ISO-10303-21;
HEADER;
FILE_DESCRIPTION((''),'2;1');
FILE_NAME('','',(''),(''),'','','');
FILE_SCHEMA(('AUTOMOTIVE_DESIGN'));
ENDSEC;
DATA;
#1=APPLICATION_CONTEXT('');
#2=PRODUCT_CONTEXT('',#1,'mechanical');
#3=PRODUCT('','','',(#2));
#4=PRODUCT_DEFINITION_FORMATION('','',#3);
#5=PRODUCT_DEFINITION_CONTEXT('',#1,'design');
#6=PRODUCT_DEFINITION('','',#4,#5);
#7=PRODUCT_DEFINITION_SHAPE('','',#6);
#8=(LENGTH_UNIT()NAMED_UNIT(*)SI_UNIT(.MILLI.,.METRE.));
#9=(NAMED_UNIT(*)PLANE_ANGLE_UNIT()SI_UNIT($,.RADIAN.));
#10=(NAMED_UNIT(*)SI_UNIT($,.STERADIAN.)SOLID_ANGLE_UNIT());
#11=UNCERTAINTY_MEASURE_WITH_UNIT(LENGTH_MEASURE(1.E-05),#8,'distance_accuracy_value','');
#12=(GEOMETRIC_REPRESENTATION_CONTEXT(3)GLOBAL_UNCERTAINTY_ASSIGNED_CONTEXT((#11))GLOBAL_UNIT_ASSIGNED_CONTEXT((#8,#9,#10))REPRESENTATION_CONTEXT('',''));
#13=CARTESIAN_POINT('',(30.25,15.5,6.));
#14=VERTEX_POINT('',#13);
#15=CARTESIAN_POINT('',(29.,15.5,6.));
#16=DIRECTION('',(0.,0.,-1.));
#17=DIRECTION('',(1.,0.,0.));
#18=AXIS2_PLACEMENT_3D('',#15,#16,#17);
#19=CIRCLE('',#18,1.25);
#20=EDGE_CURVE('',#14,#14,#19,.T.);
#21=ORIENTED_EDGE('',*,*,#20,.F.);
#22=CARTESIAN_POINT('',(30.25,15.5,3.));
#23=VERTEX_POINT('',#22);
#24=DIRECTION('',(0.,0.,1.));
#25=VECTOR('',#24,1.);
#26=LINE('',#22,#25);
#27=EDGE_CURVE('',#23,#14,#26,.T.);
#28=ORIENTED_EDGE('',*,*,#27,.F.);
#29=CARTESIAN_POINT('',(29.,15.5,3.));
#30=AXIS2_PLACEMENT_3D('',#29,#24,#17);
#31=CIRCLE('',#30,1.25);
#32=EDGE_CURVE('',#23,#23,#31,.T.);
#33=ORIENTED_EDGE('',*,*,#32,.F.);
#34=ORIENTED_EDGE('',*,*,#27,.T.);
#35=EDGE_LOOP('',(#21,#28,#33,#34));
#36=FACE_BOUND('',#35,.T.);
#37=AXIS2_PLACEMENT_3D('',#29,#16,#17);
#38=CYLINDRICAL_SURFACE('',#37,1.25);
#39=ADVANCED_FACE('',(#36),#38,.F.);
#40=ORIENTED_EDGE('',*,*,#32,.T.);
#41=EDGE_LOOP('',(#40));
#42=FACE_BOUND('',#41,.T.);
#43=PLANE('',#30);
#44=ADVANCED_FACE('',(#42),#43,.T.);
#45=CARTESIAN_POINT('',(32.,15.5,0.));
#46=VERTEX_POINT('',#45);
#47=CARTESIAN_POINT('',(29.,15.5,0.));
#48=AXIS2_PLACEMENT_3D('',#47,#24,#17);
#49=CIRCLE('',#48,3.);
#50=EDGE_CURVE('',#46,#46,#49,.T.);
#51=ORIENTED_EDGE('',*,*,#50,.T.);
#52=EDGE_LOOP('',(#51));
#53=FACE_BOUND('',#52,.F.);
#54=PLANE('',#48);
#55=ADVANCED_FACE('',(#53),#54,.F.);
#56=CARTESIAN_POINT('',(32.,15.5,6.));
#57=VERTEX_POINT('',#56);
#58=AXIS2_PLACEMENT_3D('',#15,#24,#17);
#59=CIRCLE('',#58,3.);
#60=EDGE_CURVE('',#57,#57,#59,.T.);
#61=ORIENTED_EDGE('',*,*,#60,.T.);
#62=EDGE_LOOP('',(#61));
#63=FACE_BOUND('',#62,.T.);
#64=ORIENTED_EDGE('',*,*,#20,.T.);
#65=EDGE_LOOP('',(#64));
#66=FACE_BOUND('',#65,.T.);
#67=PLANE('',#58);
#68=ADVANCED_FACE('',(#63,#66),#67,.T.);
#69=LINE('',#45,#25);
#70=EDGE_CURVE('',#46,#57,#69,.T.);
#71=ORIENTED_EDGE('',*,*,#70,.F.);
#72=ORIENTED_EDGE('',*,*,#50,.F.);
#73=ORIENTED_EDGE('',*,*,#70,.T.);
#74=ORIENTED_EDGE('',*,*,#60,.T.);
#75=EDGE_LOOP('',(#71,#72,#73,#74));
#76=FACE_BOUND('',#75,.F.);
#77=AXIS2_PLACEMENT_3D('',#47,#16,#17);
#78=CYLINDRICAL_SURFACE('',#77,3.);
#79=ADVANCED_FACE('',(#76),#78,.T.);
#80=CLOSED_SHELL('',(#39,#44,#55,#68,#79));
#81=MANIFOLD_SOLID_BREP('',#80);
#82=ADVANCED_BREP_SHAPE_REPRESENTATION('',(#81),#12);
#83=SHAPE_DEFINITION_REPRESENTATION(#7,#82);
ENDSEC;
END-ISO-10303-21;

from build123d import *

# Parameters (mm, degrees)
CYLINDER017_R     = 1.25
CYLINDER017_DEPTH = 5
CYLINDER009_R     = 3
CYLINDER009_DEPTH = 6


with BuildPart() as b_sw006:
    # Cylinder017 → Cylinder017 (new body)
    with BuildSketch(Plane(origin=(10, 14, 3), x_dir=(1, 0, 0), z_dir=(0, 0, 1))):
        Circle(CYLINDER017_R)
    extrude(amount=CYLINDER017_DEPTH)


with BuildPart() as h_cut:
    # Cylinder009 → Cylinder009 (new body)
    with BuildSketch(Plane(origin=(10, 14, 0), x_dir=(1, 0, 0), z_dir=(0, 0, 1))):
        Circle(CYLINDER009_R)
    extrude(amount=CYLINDER009_DEPTH)

    # Cut: cut B_SW006
    add(b_sw006.part, mode=Mode.SUBTRACT)


with BuildPart() as h_cut_1:
    # Cut placement: moved
    add(h_cut.part.moved(Location((19, 1.5, 0))))


solid = h_cut_1.part
